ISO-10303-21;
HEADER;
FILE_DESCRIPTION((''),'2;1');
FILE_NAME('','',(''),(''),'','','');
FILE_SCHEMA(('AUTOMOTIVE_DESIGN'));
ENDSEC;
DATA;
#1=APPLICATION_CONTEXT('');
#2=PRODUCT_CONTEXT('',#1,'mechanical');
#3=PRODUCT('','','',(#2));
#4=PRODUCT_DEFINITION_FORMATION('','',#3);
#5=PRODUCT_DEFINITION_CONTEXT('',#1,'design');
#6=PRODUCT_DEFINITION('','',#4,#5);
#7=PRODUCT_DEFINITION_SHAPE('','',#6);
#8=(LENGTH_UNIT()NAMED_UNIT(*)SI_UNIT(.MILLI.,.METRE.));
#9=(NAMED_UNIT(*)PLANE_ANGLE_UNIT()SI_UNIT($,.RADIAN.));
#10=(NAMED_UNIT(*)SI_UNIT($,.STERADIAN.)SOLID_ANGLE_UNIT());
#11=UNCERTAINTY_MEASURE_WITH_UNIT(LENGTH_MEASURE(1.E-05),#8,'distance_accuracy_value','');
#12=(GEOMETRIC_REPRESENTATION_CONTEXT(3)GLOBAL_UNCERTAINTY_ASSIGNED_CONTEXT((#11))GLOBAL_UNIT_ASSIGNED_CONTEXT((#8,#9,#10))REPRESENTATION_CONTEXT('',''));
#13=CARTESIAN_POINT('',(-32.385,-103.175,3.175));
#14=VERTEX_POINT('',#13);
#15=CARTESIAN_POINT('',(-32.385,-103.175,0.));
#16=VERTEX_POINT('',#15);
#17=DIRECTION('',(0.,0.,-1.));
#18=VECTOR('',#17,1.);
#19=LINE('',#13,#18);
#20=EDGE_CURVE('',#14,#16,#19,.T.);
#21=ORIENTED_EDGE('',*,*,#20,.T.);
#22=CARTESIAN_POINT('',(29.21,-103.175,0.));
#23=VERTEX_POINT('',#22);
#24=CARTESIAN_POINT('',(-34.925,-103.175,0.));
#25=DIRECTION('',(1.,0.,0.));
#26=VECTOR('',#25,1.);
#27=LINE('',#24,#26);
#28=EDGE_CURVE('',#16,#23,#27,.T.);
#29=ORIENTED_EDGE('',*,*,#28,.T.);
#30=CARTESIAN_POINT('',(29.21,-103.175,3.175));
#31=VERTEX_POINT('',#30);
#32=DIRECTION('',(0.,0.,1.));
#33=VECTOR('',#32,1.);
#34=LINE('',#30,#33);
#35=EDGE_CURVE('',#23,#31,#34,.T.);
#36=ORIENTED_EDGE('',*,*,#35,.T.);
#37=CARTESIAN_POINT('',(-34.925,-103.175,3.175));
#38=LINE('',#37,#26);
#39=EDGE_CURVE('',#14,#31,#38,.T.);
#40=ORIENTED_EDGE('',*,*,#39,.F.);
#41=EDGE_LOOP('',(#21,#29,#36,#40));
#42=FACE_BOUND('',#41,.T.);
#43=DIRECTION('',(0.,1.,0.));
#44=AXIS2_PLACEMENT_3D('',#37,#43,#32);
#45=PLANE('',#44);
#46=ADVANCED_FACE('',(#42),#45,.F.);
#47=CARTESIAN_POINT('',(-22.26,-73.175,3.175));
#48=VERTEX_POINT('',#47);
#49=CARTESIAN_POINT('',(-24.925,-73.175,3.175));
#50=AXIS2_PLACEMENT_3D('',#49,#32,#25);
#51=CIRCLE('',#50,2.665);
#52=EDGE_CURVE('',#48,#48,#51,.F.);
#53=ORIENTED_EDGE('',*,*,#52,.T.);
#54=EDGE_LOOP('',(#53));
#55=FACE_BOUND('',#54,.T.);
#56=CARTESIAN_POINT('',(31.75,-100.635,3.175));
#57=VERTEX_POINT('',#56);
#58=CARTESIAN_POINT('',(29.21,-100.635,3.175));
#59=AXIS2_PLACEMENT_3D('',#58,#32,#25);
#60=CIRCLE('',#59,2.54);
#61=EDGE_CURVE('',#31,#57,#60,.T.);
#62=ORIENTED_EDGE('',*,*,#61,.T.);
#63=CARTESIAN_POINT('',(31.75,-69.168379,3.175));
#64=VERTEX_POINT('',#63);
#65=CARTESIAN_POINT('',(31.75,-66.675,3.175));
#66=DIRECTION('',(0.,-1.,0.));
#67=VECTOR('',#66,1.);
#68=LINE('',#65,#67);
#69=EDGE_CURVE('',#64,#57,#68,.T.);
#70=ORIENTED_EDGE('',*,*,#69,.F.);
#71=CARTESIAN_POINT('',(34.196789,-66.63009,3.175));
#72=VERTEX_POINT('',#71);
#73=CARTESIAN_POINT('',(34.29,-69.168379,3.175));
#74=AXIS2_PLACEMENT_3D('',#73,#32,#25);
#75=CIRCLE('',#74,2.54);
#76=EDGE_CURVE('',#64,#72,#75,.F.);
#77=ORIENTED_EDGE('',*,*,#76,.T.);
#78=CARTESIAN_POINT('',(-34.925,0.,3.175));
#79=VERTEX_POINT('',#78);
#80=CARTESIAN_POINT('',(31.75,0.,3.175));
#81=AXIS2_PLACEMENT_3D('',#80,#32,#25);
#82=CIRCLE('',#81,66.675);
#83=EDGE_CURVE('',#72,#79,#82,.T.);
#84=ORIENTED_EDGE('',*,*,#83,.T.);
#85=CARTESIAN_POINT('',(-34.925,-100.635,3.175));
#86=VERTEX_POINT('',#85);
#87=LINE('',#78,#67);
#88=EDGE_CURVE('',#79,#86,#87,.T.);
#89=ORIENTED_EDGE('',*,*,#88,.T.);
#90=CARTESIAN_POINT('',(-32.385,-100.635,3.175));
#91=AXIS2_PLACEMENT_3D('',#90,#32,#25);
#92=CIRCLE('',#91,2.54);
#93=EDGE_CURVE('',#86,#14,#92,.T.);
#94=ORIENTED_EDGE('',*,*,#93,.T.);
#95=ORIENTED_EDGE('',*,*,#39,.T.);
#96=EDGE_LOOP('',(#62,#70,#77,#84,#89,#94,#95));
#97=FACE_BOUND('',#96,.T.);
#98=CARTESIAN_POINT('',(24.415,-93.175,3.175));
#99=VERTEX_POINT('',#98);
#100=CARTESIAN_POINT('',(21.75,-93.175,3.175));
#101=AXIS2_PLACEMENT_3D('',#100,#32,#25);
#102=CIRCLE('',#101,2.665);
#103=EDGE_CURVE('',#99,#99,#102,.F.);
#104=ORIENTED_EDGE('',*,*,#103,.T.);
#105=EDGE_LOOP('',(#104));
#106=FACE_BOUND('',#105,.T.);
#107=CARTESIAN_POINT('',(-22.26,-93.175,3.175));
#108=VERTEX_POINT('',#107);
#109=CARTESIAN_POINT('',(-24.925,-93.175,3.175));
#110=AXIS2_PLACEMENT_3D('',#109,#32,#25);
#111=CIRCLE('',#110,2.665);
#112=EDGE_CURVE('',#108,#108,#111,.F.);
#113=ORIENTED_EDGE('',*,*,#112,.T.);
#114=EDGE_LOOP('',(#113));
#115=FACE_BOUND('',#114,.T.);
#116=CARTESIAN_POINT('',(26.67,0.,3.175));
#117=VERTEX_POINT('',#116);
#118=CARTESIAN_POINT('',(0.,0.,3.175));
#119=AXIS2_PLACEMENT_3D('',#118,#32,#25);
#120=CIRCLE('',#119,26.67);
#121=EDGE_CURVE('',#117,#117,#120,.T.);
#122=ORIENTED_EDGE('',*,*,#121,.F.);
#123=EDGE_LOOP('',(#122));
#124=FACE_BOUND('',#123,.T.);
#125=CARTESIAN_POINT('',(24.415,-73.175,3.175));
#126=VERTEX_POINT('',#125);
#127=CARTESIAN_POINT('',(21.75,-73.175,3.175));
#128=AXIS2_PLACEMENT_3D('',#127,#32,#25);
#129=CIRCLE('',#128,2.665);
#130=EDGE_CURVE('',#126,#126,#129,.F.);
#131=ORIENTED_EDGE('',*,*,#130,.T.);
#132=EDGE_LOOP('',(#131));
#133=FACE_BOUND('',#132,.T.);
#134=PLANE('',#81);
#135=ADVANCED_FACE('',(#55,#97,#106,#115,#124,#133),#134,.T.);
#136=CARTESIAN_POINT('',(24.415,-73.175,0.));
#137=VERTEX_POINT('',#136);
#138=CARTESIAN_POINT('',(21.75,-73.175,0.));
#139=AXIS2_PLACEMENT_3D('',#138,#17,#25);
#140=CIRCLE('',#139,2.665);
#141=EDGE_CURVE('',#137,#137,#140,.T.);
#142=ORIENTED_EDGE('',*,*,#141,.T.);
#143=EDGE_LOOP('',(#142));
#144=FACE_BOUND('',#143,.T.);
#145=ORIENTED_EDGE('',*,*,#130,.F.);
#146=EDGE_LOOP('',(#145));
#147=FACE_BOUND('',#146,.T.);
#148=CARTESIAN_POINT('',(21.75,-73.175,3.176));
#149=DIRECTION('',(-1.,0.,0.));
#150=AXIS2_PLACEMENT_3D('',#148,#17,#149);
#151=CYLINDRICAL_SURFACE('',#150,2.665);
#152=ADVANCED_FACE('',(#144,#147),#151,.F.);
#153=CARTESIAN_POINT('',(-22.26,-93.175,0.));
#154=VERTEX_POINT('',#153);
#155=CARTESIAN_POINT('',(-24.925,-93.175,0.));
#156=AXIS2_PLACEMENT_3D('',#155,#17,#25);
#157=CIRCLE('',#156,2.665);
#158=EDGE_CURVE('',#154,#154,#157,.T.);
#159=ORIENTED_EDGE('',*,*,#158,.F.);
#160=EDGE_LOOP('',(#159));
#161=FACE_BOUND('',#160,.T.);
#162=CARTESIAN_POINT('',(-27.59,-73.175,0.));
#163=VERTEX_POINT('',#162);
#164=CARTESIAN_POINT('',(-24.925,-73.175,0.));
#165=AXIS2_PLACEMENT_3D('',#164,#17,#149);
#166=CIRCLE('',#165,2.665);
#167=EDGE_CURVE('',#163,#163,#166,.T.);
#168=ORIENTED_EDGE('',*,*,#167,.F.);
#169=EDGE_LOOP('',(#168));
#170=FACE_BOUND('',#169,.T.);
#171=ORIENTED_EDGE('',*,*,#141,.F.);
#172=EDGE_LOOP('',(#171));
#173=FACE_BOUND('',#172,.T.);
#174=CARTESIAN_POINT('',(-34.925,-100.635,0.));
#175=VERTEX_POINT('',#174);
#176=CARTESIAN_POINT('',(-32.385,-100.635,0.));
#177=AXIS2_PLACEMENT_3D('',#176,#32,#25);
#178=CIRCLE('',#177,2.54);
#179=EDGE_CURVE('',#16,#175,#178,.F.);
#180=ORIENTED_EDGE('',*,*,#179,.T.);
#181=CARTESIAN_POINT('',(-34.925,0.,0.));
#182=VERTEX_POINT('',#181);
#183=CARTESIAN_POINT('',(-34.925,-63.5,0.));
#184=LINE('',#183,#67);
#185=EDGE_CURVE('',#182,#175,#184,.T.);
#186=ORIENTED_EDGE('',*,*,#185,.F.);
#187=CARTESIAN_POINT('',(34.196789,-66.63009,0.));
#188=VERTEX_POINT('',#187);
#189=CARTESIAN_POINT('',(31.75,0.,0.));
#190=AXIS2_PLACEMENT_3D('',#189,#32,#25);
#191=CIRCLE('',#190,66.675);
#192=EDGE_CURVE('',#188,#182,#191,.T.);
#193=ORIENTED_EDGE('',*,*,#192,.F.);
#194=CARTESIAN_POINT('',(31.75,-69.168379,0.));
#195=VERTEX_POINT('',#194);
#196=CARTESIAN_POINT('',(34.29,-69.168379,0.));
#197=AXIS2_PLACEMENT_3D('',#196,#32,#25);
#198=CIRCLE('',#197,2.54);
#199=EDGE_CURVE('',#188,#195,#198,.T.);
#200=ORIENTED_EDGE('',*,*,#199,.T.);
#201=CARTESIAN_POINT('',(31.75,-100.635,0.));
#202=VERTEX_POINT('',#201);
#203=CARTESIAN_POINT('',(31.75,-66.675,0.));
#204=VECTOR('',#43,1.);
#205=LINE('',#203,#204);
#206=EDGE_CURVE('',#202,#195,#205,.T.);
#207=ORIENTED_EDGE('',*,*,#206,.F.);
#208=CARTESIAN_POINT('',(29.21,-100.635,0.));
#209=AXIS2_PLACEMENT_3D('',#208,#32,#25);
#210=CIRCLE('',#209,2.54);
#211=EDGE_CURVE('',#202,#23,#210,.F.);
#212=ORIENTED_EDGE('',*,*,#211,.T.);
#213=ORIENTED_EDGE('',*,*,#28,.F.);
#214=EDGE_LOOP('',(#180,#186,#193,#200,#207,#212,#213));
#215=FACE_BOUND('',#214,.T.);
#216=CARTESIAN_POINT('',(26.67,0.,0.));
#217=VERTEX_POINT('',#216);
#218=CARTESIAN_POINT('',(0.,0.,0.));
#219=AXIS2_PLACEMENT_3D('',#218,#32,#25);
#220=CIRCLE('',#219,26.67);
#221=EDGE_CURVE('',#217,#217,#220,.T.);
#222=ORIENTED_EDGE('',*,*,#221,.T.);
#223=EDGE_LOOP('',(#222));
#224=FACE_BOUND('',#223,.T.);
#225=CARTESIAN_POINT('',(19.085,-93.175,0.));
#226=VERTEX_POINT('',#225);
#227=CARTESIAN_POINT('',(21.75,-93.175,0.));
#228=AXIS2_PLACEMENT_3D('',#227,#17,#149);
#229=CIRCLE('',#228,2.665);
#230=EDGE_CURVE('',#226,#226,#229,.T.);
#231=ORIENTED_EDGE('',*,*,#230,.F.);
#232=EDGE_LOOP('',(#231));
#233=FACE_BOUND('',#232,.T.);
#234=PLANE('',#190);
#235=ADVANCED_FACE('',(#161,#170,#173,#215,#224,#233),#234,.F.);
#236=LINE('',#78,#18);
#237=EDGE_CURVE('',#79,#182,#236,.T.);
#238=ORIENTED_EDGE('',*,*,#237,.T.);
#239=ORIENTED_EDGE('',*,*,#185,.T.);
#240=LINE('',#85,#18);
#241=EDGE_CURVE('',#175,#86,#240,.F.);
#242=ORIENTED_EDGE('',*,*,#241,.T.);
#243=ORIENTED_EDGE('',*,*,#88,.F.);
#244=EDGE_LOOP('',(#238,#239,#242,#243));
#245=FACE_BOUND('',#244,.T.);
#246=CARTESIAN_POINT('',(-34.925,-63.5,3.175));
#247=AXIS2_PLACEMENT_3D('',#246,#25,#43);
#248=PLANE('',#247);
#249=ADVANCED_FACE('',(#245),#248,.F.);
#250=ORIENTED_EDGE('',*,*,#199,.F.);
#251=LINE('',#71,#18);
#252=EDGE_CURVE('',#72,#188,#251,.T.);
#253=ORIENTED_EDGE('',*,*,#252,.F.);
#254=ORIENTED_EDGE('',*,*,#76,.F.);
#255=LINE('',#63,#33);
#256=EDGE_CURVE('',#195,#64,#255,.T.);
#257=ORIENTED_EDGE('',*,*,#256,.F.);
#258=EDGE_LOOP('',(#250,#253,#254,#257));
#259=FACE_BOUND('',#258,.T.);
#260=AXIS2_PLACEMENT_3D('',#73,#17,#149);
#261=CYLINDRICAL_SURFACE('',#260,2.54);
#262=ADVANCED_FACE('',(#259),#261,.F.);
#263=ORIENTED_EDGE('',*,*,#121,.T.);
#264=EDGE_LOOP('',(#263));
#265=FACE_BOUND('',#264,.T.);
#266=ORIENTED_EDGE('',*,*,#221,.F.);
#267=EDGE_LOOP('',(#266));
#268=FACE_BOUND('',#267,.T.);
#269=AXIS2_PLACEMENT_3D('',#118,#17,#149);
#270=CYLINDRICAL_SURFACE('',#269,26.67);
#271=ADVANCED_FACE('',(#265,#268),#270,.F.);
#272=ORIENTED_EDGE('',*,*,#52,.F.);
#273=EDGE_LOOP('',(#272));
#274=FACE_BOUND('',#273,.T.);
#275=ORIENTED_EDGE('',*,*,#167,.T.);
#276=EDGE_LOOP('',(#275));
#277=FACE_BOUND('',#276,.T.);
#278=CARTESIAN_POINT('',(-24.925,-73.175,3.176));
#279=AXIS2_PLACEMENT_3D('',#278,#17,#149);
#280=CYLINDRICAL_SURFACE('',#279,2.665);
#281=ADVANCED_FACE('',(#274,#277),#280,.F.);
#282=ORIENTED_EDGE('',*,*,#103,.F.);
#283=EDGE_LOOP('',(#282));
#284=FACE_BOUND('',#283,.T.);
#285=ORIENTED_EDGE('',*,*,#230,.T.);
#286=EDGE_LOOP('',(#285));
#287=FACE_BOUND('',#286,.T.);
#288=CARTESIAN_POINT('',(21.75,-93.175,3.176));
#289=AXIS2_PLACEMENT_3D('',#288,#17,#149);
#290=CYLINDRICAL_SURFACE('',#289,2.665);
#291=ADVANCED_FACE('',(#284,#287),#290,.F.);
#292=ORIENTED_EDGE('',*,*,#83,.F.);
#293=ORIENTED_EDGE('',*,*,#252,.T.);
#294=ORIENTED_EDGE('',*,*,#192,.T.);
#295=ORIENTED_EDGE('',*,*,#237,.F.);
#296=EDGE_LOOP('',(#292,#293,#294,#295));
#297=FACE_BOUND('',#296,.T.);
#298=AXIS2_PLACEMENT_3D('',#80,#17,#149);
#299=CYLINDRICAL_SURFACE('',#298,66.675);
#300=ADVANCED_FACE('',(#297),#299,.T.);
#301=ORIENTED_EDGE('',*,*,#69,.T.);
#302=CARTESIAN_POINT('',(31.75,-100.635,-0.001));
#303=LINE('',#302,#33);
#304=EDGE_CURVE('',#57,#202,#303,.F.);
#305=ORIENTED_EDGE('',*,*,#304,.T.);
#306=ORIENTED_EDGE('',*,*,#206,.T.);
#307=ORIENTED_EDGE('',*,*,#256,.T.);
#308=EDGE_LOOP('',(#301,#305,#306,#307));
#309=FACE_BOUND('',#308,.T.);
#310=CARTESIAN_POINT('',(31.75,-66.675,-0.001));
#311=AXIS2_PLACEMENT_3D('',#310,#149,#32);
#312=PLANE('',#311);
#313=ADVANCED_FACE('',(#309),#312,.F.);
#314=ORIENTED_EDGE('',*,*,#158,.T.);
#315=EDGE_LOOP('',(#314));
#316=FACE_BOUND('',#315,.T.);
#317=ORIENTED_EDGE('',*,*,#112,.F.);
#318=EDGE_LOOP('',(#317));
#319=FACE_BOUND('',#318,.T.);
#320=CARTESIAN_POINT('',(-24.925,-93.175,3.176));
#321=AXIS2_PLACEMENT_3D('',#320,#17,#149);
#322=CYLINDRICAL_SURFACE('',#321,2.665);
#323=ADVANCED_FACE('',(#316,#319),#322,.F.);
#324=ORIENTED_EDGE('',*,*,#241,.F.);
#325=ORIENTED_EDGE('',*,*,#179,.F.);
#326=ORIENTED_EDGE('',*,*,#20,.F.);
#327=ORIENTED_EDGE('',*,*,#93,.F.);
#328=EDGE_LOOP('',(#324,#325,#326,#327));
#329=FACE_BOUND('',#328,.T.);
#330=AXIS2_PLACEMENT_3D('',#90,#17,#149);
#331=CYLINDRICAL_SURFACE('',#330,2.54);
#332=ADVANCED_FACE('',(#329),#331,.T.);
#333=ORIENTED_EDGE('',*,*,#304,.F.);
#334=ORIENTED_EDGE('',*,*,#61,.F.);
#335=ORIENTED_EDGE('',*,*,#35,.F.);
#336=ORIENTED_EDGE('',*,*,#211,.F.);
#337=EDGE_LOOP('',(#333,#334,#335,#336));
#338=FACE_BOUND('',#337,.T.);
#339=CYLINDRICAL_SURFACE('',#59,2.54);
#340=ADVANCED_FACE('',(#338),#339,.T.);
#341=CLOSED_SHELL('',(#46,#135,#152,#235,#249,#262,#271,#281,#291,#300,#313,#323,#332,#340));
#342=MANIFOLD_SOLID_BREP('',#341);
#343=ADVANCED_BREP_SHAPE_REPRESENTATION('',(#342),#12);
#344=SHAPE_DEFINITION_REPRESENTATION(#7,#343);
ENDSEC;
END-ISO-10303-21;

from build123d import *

# Parameters (mm, degrees)
SKETCH1_R           = 26.67
BOSS_EXTRUDE1_DEPTH = 3.175
CUT_EXTRUDE1_REACH  = 144.628
CUT_EXTRUDE2_REACH  = 144.628
SKETCH3_R           = 2.665
FILLET1_R           = 2.54


with BuildPart() as part:
    # Sketch1 → Boss-Extrude1 (new body)
    with BuildSketch(Plane.XY):
        with BuildLine():
            Line((-34.925, 0), (-34.925, -63.5))
            Line((-34.925, -63.5), (-34.925, -103.175))
            Line((-34.925, -103.175), (98.425, -103.175))
            Line((98.425, -103.175), (98.425, -64.833888838))
            Line((98.425, -64.833888838), (98.425, 0))
            ThreePointArc((98.425, 0), (31.75, 66.675), (-34.925, 0))
        make_face()
        Circle(SKETCH1_R, mode=Mode.SUBTRACT)
    extrude(amount=BOSS_EXTRUDE1_DEPTH)

    # Sketch2 → Cut-Extrude1 (cut, up to next)
    with BuildSketch(Plane.XY.offset(3.175), mode=Mode.PRIVATE) as cut_extrude1_sk1:
        with BuildLine():
            Line((31.75, -66.675), (31.75, -103.175))
            Line((31.75, -103.175), (98.425, -103.175))
            Line((98.425, -103.175), (98.425, 0))
            ThreePointArc((98.425, 0), (78.896344636, -47.146344636), (31.75, -66.675))
        make_face()
    cut_extrude1_tool1 = extrude(cut_extrude1_sk1.sketch, amount=-CUT_EXTRUDE1_REACH, mode=Mode.PRIVATE) & part.part
    add(cut_extrude1_tool1.solids().sort_by_distance((70.281775, -75.59134, 3.175))[0], mode=Mode.SUBTRACT)

    # Sketch3 → Cut-Extrude2 (cut, up to next)
    with BuildSketch(Plane(origin=(0, 0, 0), x_dir=(-1, 0, 0), z_dir=(0, 0, -1)), mode=Mode.PRIVATE) as cut_extrude2_sk1:
        with Locations((-21.75, -93.175)):
            Circle(SKETCH3_R)
    cut_extrude2_tool1 = extrude(cut_extrude2_sk1.sketch, amount=-CUT_EXTRUDE2_REACH, mode=Mode.PRIVATE) & part.part
    # Sketch3 → Cut-Extrude2 (cut, up to next)
    with BuildSketch(Plane(origin=(0, 0, 0), x_dir=(-1, 0, 0), z_dir=(0, 0, -1)), mode=Mode.PRIVATE) as cut_extrude2_sk2:
        with Locations(Location((-21.75, -73.175, 0), (0, 0, 180))):
            Circle(SKETCH3_R)
    cut_extrude2_tool2 = extrude(cut_extrude2_sk2.sketch, amount=-CUT_EXTRUDE2_REACH, mode=Mode.PRIVATE) & part.part
    # Sketch3 → Cut-Extrude2 (cut, up to next)
    with BuildSketch(Plane(origin=(0, 0, 0), x_dir=(-1, 0, 0), z_dir=(0, 0, -1)), mode=Mode.PRIVATE) as cut_extrude2_sk3:
        with Locations(Location((24.925, -93.175, 0), (0, 0, 180))):
            Circle(SKETCH3_R)
    cut_extrude2_tool3 = extrude(cut_extrude2_sk3.sketch, amount=-CUT_EXTRUDE2_REACH, mode=Mode.PRIVATE) & part.part
    # Sketch3 → Cut-Extrude2 (cut, up to next)
    with BuildSketch(Plane(origin=(0, 0, 0), x_dir=(-1, 0, 0), z_dir=(0, 0, -1)), mode=Mode.PRIVATE) as cut_extrude2_sk4:
        with Locations((24.925, -73.175)):
            Circle(SKETCH3_R)
    cut_extrude2_tool4 = extrude(cut_extrude2_sk4.sketch, amount=-CUT_EXTRUDE2_REACH, mode=Mode.PRIVATE) & part.part
    add(cut_extrude2_tool1.solids().sort_by_distance((21.75, -93.175, 0))[0], mode=Mode.SUBTRACT)
    add(cut_extrude2_tool2.solids().sort_by_distance((21.75, -73.175, 0))[0], mode=Mode.SUBTRACT)
    add(cut_extrude2_tool3.solids().sort_by_distance((-24.925, -93.175, 0))[0], mode=Mode.SUBTRACT)
    add(cut_extrude2_tool4.solids().sort_by_distance((-24.925, -73.175, 0))[0], mode=Mode.SUBTRACT)

    # Fillet1
    fillet1_edges = [part.edges().sort_by_distance(p)[0] for p in [
        (-34.925, -103.175, 1.5875),
        (31.75, -66.675, 1.5875),
        (31.75, -103.175, 1.5875),
    ]]
    fillet(fillet1_edges, radius=FILLET1_R)


solid = part.part
